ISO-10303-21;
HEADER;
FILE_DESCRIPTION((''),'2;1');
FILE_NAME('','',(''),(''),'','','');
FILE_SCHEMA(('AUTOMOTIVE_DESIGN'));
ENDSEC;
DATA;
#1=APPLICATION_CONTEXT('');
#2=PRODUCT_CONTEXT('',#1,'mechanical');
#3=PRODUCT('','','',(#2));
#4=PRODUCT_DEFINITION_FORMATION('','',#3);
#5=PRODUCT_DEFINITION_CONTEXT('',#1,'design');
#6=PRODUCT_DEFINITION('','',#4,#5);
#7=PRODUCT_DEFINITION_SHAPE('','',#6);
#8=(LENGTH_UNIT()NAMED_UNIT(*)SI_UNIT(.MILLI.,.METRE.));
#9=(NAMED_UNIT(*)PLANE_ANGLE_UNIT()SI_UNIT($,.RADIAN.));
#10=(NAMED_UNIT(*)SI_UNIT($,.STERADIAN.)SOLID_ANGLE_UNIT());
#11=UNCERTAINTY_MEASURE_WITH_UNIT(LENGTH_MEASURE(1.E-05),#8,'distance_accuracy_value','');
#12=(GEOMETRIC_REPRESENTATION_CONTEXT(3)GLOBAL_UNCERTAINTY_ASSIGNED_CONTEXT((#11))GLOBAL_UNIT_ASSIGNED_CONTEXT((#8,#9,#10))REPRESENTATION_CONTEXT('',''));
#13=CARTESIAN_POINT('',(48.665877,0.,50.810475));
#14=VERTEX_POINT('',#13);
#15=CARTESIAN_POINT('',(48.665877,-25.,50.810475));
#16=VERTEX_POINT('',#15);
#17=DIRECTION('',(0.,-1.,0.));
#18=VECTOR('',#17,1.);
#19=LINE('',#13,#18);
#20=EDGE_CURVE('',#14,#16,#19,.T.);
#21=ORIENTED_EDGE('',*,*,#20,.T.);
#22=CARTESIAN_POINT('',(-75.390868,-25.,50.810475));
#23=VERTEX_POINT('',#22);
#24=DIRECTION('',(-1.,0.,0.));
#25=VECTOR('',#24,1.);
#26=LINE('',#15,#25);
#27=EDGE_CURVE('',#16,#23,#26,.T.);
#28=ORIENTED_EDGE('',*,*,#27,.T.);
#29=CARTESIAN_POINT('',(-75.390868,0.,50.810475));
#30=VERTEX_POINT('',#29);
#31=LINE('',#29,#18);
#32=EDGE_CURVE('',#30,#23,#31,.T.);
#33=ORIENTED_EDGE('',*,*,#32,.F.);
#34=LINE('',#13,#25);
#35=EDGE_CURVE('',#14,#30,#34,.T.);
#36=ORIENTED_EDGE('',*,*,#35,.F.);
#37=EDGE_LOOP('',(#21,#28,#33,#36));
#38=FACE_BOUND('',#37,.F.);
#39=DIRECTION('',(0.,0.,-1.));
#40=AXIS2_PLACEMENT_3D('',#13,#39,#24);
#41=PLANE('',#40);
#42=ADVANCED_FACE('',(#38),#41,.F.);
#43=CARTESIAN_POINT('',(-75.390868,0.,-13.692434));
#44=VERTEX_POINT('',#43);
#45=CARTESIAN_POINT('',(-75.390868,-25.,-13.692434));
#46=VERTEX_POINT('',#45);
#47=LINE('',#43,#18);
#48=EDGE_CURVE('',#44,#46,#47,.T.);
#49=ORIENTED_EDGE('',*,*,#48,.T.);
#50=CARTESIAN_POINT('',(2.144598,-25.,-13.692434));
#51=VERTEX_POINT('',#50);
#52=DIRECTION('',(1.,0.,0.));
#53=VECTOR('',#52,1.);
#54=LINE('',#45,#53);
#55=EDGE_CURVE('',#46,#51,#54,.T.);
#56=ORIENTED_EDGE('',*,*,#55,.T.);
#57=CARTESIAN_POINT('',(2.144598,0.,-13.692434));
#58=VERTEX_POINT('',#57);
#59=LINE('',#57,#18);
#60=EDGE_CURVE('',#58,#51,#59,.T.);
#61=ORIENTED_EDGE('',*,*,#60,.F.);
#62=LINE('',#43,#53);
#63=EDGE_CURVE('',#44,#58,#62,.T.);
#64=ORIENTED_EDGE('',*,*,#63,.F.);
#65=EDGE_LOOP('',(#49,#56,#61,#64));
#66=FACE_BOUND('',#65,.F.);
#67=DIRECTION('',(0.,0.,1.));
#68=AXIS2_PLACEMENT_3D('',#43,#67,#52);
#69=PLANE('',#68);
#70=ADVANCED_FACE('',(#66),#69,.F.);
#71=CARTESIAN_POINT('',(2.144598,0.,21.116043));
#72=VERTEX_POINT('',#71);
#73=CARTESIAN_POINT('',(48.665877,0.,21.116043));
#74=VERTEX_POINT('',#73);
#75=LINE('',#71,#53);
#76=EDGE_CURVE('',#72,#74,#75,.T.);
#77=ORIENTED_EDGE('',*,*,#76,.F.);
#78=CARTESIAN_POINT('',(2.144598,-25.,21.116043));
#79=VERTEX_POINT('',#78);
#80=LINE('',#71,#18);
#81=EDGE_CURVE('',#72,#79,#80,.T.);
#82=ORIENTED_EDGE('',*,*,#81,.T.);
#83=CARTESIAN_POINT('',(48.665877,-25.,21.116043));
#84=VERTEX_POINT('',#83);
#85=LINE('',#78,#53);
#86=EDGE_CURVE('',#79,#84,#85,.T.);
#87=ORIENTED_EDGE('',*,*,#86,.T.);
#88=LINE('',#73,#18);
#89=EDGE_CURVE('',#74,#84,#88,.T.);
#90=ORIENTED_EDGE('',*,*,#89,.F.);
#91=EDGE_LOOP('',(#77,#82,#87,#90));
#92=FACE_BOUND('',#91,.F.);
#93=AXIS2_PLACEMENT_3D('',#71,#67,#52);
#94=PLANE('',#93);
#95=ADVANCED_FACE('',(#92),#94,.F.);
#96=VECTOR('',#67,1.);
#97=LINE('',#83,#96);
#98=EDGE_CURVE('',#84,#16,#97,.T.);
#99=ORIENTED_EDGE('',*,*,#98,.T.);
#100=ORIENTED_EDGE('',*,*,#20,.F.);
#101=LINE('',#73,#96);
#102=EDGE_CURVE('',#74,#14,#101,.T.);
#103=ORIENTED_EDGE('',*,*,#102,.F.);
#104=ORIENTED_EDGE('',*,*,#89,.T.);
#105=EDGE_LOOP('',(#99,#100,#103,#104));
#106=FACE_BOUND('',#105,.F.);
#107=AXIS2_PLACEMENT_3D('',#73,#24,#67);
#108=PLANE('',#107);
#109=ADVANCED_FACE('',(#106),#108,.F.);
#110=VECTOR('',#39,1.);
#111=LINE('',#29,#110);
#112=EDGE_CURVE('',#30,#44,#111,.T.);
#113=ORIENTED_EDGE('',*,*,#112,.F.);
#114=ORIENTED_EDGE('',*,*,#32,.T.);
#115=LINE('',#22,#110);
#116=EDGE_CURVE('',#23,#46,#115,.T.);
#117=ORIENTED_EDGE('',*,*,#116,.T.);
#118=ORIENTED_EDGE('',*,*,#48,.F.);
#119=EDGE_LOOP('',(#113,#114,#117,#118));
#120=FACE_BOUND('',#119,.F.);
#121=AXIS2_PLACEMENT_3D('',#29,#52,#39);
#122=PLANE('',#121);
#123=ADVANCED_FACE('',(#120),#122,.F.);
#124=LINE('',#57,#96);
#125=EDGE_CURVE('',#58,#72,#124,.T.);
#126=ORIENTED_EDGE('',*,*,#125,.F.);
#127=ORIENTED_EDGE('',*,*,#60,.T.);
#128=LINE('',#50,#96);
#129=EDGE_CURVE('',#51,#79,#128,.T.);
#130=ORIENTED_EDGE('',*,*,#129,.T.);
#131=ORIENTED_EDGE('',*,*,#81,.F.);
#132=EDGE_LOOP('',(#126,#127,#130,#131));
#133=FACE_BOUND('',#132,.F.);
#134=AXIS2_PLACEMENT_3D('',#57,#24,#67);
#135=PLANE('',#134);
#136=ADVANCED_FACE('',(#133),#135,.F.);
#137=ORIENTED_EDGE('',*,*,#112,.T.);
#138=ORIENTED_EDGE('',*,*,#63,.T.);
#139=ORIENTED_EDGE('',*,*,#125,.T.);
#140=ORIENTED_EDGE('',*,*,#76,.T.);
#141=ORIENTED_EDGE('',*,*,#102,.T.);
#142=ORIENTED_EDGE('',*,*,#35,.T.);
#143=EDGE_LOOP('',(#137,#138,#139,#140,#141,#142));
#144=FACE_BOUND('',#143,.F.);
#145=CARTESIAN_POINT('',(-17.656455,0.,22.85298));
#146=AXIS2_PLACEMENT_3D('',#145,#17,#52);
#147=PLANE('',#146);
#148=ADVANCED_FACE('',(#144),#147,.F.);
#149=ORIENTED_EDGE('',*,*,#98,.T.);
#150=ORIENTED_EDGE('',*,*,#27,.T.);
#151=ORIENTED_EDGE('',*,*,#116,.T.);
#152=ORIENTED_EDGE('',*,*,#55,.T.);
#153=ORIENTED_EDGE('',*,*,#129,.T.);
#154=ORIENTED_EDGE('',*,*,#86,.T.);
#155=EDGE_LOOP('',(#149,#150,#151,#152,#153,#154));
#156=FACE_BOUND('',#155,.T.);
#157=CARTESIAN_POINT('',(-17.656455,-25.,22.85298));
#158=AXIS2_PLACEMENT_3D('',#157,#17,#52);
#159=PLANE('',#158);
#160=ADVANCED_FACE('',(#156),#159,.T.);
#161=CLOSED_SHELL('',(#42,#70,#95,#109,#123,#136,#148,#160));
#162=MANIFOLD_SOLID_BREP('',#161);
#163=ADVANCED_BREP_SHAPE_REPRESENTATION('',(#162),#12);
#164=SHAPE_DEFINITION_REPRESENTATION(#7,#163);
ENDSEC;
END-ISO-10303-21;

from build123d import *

# Parameters (mm, degrees)
F1_DEPTH = 25


with BuildPart() as f1:
    # F0 (on Front) → F1 (new body)
    with BuildSketch(Plane.XZ):
        Polygon((2.144598, 50.810475), (-75.390868, 50.810475), (-75.390868, -13.692434), (2.144598, -13.692434), (2.144598, 21.116043), (48.665877, 21.116043), (48.665877, 50.810475), align=None)
    extrude(amount=F1_DEPTH)


solid = f1.part
